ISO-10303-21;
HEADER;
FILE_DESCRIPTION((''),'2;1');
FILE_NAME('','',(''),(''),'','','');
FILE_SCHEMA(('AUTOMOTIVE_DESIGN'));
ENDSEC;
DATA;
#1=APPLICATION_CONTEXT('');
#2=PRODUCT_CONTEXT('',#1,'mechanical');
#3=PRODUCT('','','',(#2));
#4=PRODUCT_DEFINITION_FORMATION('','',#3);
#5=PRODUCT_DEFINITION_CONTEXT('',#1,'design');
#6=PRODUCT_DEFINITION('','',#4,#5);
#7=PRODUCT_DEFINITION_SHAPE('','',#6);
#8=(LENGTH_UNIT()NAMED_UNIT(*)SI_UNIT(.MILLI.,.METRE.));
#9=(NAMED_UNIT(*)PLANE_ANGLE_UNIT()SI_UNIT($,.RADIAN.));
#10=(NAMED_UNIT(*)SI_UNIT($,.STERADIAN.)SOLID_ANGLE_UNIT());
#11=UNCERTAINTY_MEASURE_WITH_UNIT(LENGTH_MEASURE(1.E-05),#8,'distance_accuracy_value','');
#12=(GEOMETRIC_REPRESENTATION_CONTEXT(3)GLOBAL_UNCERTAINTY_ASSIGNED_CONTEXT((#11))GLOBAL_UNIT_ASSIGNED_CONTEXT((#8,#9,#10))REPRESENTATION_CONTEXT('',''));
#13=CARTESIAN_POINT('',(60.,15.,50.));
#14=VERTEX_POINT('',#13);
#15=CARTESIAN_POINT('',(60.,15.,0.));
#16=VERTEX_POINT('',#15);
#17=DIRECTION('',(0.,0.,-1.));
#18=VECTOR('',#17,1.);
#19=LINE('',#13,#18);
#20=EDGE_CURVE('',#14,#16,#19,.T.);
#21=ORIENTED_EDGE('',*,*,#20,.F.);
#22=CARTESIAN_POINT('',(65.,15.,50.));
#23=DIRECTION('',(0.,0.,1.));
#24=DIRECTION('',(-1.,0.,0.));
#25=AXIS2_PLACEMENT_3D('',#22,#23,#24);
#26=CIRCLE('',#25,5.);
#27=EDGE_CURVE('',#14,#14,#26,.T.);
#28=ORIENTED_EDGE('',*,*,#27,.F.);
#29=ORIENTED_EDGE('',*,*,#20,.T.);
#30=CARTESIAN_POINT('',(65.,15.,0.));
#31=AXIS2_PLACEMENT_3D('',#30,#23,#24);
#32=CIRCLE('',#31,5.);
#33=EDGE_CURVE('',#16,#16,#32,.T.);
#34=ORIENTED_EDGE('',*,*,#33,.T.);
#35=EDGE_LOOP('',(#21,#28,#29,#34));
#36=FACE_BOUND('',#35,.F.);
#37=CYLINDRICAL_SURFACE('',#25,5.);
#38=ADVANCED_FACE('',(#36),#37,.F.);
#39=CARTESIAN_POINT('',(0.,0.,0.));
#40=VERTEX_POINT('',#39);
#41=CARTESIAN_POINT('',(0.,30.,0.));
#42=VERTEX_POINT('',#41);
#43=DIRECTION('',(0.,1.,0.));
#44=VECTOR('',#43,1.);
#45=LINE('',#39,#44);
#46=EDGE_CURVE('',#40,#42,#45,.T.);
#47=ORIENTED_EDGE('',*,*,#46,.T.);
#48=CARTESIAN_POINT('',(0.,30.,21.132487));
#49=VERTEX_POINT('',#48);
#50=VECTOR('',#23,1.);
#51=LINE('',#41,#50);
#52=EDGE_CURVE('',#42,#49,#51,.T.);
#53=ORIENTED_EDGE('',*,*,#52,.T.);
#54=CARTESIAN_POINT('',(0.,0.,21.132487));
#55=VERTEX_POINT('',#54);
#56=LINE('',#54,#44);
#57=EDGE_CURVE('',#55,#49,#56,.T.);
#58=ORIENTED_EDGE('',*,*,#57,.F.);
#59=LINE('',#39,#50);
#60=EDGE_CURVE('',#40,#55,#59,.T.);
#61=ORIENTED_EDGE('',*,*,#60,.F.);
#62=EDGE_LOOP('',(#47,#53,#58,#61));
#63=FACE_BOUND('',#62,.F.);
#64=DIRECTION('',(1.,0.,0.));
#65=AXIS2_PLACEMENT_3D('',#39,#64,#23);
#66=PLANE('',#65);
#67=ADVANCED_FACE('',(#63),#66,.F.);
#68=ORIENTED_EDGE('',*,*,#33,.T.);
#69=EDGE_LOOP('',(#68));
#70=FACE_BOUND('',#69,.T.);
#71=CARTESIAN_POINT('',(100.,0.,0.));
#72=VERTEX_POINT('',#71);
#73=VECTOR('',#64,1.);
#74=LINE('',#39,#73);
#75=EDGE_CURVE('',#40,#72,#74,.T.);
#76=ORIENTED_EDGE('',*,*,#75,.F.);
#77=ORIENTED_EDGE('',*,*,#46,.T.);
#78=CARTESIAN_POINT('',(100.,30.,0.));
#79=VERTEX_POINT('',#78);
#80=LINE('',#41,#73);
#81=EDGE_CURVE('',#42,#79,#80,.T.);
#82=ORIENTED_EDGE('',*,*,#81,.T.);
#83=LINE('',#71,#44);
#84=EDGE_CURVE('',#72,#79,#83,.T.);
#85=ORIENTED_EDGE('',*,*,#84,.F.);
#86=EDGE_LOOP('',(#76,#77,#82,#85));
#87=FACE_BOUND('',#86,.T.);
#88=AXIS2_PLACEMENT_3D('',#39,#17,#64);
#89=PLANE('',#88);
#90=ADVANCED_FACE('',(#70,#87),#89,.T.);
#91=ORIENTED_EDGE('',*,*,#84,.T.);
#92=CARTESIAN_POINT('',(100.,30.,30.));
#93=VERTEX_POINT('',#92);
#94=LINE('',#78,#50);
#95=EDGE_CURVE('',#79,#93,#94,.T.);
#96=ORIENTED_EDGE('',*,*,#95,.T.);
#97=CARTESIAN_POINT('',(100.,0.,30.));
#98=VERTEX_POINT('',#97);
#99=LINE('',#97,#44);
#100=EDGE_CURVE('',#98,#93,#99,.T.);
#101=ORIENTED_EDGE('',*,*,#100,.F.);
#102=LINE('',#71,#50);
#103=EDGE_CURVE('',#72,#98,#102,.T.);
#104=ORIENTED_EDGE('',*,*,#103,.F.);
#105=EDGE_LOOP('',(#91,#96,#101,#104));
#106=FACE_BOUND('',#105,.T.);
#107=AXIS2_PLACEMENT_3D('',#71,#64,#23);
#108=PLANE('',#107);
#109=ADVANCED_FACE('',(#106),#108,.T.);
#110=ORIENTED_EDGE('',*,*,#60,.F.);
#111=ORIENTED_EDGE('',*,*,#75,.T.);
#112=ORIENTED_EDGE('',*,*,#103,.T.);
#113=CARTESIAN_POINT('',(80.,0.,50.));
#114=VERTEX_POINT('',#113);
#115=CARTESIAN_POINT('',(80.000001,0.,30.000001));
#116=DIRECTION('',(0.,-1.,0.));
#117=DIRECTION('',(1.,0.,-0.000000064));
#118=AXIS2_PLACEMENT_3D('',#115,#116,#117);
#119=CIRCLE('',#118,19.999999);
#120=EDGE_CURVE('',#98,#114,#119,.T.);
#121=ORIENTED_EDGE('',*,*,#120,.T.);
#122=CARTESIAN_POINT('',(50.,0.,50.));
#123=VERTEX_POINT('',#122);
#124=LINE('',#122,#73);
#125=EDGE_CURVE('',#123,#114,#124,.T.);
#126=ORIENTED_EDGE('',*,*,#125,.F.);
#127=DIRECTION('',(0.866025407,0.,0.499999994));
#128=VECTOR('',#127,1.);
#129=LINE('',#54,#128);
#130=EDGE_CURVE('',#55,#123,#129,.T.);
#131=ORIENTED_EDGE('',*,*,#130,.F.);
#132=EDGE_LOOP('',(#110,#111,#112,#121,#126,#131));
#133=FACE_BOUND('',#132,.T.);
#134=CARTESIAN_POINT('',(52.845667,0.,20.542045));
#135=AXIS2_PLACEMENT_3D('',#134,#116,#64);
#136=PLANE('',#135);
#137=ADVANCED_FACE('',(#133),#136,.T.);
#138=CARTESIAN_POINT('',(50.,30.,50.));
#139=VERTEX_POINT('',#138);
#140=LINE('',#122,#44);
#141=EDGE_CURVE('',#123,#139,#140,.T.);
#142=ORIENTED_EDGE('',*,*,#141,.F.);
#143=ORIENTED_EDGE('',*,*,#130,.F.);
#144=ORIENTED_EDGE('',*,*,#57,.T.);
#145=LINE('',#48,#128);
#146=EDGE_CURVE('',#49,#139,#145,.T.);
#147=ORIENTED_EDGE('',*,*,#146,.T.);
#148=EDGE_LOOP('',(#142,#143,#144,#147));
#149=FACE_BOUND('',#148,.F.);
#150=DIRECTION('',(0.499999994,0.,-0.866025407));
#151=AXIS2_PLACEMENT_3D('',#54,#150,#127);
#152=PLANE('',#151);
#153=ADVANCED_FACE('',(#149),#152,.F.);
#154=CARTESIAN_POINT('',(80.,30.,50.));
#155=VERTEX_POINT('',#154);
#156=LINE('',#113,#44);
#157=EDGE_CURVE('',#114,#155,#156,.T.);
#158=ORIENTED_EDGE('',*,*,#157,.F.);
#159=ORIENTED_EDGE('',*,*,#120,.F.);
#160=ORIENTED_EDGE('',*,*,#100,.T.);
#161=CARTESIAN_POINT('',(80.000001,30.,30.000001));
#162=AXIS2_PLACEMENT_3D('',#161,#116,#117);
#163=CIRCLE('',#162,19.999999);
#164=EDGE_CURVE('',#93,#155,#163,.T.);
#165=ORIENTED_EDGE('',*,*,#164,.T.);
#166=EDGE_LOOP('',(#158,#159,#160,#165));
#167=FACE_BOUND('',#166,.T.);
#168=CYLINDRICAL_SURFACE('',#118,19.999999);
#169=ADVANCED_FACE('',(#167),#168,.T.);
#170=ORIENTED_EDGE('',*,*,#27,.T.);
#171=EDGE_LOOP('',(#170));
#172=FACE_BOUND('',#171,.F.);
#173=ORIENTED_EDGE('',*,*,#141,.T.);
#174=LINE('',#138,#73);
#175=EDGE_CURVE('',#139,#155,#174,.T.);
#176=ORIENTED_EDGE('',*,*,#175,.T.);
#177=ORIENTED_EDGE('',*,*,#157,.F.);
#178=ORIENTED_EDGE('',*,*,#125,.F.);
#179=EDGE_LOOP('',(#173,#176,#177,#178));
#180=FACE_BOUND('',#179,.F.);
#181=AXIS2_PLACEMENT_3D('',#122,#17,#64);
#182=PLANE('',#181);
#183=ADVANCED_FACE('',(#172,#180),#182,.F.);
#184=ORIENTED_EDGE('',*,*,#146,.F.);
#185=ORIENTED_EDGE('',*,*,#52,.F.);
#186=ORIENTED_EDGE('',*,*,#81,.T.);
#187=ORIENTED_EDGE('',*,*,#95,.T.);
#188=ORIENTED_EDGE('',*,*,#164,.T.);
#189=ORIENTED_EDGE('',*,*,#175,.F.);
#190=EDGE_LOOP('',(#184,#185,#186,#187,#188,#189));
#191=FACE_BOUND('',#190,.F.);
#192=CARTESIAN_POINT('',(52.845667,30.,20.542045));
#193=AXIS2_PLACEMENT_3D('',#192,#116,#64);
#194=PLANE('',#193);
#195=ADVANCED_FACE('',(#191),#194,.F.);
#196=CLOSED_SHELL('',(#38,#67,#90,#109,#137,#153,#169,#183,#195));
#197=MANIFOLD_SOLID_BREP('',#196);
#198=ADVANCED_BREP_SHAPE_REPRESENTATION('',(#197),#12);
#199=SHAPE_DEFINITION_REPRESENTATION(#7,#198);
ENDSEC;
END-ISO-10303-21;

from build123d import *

# Parameters (mm, degrees)
PAD_DEPTH    = 30
SKETCH001_R  = 5
POCKET_DEPTH = 50.001


with BuildPart() as part:
    # Sketch → Pad (new body)
    with BuildSketch(Plane.XZ):
        with BuildLine():
            Line((0, 0), (100, 0))
            Line((100, 0), (100, 30))
            ThreePointArc((100, 30), (94.142136, 44.142136), (80, 50))
            Line((50, 50), (80, 50))
            Line((0, 21.132487), (50, 50))
            Line((0, 0), (0, 21.132487))
        make_face()
    extrude(amount=-PAD_DEPTH)

    # Sketch001 (on Face4 of Pad) → Pocket (cut, through all)
    with BuildSketch(Plane(origin=(0, 0, 50), x_dir=(-1, 0, 0), z_dir=(0, 0, 1))):
        with Locations((-65, -15)):
            Circle(SKETCH001_R)
    extrude(amount=-POCKET_DEPTH, mode=Mode.SUBTRACT)


solid = part.part
